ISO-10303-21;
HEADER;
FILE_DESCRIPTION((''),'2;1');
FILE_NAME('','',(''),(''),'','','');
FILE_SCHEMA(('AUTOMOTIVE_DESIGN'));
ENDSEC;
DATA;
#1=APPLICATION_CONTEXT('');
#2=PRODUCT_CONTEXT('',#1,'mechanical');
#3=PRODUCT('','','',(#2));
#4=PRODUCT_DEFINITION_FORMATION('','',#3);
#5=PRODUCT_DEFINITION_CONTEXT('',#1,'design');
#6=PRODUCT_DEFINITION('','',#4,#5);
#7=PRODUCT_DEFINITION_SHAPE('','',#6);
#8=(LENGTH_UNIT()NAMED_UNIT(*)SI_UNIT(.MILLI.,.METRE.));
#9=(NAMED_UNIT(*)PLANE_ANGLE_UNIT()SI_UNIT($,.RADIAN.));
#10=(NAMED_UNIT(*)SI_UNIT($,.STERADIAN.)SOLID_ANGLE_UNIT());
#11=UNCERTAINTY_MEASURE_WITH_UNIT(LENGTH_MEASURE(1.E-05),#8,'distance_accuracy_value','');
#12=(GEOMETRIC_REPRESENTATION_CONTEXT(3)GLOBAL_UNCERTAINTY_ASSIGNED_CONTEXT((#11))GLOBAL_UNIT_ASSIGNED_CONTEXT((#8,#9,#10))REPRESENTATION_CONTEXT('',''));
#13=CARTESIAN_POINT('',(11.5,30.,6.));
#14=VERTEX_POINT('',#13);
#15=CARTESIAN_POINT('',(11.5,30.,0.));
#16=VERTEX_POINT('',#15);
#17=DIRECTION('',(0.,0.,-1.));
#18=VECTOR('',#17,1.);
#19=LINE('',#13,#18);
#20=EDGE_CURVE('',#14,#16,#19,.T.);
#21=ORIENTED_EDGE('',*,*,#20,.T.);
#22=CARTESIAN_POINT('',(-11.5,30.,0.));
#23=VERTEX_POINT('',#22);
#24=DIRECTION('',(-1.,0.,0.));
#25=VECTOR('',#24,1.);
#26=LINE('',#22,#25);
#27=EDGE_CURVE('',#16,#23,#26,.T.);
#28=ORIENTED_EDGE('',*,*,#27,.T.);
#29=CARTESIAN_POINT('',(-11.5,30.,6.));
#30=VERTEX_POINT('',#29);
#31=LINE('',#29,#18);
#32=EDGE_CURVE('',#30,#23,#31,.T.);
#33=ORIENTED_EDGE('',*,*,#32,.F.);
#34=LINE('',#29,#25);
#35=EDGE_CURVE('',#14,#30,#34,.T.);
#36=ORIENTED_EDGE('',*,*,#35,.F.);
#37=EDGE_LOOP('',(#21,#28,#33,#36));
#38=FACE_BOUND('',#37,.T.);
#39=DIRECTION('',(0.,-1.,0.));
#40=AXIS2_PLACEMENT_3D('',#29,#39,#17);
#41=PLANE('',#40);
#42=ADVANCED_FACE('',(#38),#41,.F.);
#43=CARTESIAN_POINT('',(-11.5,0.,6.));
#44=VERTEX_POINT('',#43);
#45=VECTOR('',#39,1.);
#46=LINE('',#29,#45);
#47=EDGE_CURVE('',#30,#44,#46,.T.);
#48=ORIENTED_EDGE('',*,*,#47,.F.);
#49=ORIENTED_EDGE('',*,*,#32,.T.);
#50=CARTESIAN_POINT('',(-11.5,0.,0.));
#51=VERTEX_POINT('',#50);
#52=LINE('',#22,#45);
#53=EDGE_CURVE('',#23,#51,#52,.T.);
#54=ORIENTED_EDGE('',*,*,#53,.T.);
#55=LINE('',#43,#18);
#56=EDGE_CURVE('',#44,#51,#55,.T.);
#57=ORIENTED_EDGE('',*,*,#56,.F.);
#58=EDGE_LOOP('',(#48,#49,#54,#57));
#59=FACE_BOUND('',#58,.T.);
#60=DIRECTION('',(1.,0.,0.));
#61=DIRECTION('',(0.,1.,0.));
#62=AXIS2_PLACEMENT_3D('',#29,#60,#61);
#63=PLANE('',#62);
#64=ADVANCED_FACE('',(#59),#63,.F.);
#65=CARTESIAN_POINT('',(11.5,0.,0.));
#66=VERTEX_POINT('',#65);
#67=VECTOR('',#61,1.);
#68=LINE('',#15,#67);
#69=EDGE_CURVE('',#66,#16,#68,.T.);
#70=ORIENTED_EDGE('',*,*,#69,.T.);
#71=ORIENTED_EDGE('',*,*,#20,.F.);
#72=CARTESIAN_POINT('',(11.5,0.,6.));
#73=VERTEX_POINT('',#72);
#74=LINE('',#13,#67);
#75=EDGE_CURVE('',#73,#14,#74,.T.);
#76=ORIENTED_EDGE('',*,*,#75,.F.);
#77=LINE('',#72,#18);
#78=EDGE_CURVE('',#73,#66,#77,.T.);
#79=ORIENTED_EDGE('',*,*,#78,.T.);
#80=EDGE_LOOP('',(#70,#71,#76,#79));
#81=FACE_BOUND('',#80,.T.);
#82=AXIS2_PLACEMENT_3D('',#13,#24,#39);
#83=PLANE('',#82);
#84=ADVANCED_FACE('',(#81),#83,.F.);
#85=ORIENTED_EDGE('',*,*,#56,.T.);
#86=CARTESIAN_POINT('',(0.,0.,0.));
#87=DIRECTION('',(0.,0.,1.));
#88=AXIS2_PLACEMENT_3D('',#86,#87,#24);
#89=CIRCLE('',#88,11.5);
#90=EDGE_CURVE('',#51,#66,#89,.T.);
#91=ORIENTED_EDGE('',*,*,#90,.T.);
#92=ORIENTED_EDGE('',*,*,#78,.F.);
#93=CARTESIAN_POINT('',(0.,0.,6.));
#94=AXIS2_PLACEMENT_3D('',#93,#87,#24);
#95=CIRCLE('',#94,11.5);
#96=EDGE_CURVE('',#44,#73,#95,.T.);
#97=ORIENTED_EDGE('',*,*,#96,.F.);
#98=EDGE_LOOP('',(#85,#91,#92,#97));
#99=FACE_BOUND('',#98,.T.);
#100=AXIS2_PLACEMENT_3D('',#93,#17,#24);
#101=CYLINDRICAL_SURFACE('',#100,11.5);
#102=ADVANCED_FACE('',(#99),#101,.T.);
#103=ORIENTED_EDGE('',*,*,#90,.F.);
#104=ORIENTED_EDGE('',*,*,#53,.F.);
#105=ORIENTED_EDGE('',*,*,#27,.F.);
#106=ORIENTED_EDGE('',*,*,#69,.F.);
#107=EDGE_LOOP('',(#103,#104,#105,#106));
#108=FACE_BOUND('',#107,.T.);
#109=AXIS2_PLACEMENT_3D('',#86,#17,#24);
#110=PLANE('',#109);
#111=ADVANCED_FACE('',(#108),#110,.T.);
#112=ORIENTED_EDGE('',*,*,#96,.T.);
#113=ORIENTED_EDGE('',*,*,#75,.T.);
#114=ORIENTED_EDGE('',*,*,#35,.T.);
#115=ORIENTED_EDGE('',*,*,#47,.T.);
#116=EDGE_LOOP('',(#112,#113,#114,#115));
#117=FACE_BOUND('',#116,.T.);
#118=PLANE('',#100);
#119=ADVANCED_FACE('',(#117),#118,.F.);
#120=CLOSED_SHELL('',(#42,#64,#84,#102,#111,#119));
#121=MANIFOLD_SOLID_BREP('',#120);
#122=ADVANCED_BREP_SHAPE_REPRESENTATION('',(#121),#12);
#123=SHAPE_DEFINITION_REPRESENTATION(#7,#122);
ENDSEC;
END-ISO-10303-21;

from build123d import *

# Parameters (mm, degrees)
BOSS_EXTRUDE1_DEPTH = 6


with BuildPart() as part:
    # Sketch1 → Boss-Extrude1 (new body)
    with BuildSketch(Plane.XY):
        with BuildLine():
            Line((-11.5, 30), (11.5, 30))
            Line((11.5, 30), (11.5, 0))
            ThreePointArc((11.5, 0), (0, -11.5), (-11.5, 0))
            Line((-11.5, 0), (-11.5, 30))
        make_face()
    extrude(amount=BOSS_EXTRUDE1_DEPTH)


solid = part.part
